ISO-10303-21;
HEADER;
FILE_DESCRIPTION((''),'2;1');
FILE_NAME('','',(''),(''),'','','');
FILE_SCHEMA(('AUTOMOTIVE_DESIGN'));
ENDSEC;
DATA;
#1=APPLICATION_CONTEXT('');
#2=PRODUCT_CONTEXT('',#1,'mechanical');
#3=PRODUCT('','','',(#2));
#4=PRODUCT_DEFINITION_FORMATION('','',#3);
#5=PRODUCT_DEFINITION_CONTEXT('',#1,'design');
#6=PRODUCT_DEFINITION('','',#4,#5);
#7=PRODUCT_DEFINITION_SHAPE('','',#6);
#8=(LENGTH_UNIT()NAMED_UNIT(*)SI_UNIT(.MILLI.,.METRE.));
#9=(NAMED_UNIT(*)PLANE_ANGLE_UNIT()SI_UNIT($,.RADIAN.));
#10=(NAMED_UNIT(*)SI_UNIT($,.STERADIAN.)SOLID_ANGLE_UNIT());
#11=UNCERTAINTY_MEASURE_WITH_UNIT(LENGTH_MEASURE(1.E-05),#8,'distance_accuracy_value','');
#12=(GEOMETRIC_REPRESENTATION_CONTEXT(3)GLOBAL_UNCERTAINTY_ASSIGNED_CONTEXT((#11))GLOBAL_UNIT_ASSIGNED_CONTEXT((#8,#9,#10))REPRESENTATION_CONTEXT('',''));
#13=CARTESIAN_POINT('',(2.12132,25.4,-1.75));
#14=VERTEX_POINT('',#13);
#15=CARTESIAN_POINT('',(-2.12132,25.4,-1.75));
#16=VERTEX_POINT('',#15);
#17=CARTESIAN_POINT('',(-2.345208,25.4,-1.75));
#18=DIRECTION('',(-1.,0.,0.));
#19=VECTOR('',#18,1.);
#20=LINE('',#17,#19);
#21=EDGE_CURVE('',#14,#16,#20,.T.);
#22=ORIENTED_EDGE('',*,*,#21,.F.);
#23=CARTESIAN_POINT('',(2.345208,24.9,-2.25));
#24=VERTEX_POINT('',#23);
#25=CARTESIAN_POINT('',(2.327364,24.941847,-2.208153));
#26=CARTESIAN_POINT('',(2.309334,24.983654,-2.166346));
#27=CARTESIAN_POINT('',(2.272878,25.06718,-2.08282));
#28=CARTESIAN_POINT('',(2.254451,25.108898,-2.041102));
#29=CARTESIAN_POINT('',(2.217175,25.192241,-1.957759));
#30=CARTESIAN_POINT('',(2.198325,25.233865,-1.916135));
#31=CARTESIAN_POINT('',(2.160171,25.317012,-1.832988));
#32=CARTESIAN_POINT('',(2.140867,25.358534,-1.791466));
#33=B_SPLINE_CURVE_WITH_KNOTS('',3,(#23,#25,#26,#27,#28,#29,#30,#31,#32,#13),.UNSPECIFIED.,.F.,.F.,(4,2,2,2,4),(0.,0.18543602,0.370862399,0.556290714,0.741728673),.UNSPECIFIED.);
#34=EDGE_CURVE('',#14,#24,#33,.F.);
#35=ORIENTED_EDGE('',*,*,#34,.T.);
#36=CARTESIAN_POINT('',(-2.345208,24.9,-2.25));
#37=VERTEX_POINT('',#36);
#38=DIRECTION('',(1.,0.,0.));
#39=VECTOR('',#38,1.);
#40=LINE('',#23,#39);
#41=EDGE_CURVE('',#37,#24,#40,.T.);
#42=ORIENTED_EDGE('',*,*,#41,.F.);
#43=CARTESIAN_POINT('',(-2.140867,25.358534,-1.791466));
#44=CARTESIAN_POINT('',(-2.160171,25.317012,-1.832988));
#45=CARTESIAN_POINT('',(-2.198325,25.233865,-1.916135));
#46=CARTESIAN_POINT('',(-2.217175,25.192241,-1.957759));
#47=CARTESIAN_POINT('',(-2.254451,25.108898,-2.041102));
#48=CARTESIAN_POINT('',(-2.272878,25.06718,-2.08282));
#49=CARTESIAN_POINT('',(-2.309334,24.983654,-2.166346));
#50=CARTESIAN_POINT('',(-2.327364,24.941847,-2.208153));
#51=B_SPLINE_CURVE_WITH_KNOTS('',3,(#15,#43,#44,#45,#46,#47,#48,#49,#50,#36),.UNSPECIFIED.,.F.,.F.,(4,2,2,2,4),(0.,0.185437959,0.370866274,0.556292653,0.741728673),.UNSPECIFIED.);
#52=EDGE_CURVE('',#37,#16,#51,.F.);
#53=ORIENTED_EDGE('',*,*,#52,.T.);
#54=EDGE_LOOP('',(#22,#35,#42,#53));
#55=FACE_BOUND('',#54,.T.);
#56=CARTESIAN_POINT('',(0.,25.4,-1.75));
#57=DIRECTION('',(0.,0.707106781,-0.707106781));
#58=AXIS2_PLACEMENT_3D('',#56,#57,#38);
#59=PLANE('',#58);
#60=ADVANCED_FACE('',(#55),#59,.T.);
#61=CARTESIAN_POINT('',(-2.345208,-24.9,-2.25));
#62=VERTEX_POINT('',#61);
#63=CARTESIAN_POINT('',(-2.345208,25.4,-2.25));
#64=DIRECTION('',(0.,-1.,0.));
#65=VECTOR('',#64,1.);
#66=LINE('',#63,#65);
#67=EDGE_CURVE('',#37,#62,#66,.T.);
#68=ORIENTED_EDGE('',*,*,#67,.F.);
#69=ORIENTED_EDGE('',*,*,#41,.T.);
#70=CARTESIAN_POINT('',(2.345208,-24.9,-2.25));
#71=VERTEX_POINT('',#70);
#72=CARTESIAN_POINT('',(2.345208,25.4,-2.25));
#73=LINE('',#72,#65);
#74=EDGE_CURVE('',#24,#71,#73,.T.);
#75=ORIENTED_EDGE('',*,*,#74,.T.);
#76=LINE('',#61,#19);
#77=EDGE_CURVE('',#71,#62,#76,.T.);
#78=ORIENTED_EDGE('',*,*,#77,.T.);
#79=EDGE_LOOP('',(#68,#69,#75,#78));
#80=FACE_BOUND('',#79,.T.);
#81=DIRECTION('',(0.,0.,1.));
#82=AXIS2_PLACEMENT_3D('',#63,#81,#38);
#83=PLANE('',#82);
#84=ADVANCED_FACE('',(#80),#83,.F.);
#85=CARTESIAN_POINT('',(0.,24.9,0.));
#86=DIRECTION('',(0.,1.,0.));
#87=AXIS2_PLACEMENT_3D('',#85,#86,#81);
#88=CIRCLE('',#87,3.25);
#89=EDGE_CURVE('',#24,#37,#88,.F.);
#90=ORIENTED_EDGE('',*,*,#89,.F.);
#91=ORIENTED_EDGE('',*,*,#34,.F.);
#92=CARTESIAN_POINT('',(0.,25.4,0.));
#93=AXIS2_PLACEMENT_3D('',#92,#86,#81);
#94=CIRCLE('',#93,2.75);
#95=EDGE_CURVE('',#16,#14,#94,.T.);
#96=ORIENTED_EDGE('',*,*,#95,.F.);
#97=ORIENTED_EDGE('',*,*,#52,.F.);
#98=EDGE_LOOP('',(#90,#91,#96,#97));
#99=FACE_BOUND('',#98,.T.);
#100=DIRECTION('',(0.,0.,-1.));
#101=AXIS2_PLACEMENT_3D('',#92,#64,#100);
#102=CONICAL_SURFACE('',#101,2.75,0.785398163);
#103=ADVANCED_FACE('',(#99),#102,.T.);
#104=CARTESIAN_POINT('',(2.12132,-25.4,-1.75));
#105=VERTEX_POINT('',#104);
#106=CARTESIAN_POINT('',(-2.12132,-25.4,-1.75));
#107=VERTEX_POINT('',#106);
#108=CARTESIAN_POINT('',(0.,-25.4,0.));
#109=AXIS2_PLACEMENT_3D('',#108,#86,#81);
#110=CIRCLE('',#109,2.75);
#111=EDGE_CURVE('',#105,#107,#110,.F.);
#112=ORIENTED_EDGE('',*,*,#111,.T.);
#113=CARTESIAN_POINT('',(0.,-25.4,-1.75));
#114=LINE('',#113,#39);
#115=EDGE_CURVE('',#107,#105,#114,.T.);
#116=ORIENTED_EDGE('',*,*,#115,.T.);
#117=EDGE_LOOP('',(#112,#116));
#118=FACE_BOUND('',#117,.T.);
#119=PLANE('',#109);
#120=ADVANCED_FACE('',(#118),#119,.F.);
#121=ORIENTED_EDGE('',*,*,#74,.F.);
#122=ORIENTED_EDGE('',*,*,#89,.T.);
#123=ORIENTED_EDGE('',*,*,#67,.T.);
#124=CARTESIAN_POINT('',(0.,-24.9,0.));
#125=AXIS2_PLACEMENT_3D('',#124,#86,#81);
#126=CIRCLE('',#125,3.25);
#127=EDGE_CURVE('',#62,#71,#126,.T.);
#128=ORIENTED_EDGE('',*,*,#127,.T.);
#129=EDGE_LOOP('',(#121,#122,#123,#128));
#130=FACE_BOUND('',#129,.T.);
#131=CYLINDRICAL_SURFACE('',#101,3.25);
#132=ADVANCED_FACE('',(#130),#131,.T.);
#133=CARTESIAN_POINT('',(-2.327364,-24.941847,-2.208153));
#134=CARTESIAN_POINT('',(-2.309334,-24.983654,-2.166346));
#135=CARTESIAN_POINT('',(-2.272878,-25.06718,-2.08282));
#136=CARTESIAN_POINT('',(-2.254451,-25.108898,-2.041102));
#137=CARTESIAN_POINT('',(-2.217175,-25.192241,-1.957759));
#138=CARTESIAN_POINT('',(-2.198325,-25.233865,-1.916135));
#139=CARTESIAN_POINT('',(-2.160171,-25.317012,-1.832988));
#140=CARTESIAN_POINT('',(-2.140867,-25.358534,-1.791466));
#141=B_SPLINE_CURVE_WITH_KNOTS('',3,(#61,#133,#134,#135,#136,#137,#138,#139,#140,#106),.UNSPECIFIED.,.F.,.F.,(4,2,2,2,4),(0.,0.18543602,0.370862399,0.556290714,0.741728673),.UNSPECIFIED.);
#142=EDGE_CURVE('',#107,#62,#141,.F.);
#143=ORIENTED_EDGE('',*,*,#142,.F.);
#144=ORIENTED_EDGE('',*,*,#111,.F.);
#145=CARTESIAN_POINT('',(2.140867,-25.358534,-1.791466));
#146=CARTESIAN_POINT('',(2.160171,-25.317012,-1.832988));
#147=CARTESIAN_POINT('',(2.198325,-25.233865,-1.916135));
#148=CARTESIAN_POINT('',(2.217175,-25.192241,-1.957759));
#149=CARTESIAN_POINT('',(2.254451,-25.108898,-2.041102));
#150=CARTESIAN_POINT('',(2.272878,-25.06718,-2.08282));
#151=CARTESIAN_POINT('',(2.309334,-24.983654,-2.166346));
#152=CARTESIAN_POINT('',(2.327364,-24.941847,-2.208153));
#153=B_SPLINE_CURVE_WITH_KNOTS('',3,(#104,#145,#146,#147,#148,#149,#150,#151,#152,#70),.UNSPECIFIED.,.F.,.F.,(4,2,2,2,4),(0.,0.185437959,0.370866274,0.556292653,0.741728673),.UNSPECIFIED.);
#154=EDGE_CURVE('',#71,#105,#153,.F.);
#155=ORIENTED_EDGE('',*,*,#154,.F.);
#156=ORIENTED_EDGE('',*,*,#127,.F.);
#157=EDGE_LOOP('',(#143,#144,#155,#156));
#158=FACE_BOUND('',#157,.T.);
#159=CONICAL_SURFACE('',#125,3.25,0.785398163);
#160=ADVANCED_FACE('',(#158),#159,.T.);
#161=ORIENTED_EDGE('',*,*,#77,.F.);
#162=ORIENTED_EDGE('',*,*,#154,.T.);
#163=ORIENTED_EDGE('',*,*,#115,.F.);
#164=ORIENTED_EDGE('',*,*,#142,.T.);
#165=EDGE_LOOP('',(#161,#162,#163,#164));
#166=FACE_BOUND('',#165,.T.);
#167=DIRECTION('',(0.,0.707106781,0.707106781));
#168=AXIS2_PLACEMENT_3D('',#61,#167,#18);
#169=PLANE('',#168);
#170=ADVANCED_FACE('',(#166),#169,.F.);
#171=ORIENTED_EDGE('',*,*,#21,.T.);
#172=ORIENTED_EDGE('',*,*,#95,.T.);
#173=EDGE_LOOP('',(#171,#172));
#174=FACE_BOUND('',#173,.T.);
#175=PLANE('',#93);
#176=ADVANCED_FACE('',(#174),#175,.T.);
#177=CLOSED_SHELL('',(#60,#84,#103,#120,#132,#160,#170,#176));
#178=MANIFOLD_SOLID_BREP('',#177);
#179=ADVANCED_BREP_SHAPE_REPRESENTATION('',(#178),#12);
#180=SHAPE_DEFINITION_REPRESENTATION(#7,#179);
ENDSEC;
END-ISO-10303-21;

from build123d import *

# Parameters (mm, degrees)
BOSS_EXTRUDE1_DEPTH = 25.4
CHAMFER1_SIZE       = 0.5


with BuildPart() as part:
    # Sketch1 → Boss-Extrude1 (new body, symmetric)
    with BuildSketch(Plane(origin=(0, 0, 0), x_dir=(1, 0, 0), z_dir=(0, 1, 0))):
        with BuildLine():
            Line((-2.34520788, 2.25), (2.34520788, 2.25))
            ThreePointArc((2.34520788, 2.25), (0, -3.25), (-2.34520788, 2.25))
        make_face()
    extrude(amount=BOSS_EXTRUDE1_DEPTH, both=True)

    # Chamfer1
    chamfer1_edges = [part.edges().sort_by_distance(p)[0] for p in [
        (0, -25.4, -2.25),
        (0, -25.4, 3.25),
        (0, 25.4, 3.25),
        (0, 25.4, -2.25),
    ]]
    chamfer(chamfer1_edges, length=CHAMFER1_SIZE)


solid = part.part
